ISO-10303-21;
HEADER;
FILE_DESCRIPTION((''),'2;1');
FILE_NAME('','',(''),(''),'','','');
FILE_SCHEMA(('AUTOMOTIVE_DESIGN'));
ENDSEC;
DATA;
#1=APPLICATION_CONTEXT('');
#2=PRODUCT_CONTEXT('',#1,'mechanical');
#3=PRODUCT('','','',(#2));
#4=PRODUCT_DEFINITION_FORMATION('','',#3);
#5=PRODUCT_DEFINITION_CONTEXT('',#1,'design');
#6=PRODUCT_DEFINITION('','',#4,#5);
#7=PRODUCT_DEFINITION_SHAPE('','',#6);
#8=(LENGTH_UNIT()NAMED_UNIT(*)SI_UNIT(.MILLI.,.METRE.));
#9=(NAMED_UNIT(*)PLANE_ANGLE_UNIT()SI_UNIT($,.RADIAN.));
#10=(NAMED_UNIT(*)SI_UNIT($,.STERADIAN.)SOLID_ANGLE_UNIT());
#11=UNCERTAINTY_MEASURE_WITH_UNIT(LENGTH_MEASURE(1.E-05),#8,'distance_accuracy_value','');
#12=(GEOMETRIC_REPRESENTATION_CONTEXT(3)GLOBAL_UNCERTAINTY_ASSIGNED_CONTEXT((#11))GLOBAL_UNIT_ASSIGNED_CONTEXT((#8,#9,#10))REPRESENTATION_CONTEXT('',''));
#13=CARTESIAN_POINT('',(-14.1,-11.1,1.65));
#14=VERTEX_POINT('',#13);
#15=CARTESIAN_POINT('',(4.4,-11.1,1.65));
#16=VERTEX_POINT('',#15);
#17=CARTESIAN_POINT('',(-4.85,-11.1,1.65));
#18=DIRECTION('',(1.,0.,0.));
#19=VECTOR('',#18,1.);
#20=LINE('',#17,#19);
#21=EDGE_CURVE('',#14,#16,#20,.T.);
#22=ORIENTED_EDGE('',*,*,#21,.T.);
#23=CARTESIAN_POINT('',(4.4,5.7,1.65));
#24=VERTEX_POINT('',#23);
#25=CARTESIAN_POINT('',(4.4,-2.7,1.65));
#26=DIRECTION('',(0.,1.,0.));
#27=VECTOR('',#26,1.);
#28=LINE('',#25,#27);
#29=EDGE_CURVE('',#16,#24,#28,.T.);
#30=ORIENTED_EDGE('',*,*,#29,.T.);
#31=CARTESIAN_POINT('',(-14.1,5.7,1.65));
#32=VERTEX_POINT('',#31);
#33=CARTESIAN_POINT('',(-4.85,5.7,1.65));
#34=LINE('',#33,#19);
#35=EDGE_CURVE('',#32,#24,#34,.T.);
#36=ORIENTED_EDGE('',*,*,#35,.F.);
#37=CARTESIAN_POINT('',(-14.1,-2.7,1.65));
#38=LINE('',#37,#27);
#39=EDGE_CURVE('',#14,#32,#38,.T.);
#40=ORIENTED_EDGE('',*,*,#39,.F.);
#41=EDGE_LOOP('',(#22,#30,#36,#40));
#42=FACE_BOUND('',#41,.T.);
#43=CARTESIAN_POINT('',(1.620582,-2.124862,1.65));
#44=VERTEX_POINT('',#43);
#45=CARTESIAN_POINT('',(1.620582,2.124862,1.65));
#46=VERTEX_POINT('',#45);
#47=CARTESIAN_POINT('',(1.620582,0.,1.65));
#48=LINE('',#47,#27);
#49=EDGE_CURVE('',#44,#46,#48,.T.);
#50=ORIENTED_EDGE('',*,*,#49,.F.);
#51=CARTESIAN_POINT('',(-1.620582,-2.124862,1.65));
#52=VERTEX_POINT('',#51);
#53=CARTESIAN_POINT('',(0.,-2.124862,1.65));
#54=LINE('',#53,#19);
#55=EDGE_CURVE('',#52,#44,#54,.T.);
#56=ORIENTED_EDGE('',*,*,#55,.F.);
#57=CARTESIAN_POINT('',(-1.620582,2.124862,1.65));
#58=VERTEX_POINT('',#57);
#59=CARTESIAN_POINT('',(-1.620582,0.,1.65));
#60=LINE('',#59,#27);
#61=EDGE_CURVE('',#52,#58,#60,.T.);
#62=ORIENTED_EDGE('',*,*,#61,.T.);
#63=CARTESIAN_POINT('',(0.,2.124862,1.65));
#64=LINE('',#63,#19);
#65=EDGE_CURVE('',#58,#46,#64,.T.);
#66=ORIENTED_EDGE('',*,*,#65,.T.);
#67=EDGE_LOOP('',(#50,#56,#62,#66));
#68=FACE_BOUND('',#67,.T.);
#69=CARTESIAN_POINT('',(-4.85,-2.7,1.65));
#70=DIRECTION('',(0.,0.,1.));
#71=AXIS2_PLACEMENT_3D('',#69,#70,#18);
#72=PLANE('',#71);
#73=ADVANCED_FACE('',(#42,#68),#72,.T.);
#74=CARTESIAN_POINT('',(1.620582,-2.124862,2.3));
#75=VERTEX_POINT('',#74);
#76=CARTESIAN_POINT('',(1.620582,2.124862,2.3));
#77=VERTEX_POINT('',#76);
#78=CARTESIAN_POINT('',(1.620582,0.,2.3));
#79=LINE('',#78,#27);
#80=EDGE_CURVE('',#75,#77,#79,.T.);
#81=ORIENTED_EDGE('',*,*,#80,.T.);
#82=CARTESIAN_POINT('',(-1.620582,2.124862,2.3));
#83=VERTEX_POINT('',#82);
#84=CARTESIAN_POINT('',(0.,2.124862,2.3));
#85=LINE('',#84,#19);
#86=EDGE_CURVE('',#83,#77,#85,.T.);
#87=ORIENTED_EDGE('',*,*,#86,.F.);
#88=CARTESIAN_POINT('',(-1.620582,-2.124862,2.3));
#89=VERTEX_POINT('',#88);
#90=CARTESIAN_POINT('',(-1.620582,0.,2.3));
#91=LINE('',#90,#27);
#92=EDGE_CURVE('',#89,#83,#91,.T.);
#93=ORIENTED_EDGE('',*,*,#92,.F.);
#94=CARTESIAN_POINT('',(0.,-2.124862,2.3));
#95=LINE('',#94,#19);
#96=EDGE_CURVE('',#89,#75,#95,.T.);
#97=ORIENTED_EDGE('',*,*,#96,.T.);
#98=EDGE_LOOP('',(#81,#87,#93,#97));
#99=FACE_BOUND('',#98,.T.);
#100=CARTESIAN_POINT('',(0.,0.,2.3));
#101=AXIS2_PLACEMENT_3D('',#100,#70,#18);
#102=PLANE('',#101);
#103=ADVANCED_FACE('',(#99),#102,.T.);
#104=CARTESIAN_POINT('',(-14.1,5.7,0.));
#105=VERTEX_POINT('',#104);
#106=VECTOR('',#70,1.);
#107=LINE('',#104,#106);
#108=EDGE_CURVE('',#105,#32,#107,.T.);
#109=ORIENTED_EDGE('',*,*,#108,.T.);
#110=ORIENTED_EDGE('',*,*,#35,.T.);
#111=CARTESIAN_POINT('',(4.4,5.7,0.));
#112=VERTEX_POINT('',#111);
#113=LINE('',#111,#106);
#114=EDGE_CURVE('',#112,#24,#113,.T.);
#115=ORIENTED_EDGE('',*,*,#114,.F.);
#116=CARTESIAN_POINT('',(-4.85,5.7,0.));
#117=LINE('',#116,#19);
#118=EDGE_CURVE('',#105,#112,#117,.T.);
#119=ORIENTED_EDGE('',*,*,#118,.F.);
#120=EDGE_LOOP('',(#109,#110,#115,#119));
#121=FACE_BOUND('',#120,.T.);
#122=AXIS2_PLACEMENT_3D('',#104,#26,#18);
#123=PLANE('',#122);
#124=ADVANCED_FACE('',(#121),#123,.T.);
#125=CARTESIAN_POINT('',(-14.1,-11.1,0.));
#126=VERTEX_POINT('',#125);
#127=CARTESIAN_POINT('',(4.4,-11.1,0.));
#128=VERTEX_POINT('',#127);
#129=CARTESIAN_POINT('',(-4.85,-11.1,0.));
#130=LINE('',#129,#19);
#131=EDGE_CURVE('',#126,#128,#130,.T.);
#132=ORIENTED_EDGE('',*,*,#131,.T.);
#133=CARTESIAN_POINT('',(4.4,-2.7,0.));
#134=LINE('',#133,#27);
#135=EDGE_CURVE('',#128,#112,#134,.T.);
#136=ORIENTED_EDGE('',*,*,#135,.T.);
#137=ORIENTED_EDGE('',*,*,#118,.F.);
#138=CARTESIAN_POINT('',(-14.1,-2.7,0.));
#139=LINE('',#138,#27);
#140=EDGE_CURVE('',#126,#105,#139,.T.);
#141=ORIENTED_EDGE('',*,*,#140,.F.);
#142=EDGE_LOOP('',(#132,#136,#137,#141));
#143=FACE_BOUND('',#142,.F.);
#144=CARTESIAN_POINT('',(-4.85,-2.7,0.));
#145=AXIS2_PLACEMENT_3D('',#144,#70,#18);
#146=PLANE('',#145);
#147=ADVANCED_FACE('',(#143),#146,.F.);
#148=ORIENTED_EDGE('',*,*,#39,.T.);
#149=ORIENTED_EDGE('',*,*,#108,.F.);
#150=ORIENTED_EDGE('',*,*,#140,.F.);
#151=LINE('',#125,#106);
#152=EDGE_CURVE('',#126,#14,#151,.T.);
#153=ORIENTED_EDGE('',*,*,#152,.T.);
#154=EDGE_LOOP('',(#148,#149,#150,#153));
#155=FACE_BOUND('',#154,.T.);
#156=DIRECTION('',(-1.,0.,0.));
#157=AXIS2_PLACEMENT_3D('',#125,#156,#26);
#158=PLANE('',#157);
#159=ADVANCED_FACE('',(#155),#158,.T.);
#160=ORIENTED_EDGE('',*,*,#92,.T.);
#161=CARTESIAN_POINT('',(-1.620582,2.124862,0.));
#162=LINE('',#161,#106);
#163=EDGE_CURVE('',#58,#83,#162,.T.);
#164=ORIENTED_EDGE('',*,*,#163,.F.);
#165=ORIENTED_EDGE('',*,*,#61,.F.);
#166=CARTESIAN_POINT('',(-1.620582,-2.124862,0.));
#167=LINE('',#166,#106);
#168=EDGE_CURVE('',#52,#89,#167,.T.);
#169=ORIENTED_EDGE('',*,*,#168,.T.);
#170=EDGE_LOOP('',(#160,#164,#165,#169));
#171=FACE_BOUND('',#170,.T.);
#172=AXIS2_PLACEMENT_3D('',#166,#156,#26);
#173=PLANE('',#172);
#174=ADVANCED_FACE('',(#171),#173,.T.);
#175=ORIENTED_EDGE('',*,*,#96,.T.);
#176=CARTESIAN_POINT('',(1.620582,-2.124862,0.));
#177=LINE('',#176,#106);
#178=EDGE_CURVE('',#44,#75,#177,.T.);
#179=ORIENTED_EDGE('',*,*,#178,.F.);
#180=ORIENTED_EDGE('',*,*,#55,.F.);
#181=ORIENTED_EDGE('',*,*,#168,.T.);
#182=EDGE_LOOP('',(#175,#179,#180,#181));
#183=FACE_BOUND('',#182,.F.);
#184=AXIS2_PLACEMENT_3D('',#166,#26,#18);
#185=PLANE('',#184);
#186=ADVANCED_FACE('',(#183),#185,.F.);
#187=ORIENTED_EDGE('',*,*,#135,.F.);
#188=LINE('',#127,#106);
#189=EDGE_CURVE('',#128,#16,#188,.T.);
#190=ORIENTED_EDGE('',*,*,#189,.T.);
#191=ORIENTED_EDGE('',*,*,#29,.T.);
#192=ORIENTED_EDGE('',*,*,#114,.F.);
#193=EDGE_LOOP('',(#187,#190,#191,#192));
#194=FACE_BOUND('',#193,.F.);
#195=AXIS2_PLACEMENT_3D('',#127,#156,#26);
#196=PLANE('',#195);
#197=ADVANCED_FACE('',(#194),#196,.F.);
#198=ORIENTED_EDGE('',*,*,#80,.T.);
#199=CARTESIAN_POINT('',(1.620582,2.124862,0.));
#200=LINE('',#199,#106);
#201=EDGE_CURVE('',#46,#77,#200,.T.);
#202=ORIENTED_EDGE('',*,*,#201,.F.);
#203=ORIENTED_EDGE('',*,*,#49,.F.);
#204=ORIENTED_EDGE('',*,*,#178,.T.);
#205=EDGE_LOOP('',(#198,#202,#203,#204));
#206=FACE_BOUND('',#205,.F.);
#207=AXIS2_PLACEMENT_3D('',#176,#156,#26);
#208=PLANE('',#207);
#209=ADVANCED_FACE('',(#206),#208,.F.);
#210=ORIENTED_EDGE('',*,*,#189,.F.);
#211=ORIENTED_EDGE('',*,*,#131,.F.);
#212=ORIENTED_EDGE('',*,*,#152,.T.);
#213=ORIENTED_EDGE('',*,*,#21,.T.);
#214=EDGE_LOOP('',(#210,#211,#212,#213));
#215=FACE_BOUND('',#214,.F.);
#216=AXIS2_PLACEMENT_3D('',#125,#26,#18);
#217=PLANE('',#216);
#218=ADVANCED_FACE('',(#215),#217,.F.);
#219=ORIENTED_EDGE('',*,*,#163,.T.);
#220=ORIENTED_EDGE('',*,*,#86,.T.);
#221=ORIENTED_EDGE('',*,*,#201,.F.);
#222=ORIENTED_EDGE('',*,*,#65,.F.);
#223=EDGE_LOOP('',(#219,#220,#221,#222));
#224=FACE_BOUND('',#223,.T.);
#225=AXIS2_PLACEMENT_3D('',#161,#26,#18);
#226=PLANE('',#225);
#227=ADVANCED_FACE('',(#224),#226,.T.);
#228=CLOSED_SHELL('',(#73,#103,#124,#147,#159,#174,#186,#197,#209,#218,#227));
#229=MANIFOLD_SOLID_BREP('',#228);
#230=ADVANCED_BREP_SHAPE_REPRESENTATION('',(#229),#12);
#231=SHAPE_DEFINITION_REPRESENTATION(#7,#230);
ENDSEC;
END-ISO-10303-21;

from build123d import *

# Parameters (mm, degrees)
F0_W     = 3.241164
F0_H     = 4.249724
F1_DEPTH = 2.3
F0_W_2   = 18.5
F0_H_2   = 16.8
F2_DEPTH = 1.65


with BuildPart() as f1:
    # F0 (on Top) → F1 (new body)
    with BuildSketch(Plane.XY):
        Rectangle(F0_W, F0_H)
    extrude(amount=F1_DEPTH)

    # F0 (on Top) → F2 (join)
    with BuildSketch(Plane.XY):
        with Locations((-4.85, -2.7)):
            Rectangle(F0_W_2, F0_H_2)
        Rectangle(F0_W, F0_H, mode=Mode.SUBTRACT)
    extrude(amount=F2_DEPTH)


solid = f1.part
